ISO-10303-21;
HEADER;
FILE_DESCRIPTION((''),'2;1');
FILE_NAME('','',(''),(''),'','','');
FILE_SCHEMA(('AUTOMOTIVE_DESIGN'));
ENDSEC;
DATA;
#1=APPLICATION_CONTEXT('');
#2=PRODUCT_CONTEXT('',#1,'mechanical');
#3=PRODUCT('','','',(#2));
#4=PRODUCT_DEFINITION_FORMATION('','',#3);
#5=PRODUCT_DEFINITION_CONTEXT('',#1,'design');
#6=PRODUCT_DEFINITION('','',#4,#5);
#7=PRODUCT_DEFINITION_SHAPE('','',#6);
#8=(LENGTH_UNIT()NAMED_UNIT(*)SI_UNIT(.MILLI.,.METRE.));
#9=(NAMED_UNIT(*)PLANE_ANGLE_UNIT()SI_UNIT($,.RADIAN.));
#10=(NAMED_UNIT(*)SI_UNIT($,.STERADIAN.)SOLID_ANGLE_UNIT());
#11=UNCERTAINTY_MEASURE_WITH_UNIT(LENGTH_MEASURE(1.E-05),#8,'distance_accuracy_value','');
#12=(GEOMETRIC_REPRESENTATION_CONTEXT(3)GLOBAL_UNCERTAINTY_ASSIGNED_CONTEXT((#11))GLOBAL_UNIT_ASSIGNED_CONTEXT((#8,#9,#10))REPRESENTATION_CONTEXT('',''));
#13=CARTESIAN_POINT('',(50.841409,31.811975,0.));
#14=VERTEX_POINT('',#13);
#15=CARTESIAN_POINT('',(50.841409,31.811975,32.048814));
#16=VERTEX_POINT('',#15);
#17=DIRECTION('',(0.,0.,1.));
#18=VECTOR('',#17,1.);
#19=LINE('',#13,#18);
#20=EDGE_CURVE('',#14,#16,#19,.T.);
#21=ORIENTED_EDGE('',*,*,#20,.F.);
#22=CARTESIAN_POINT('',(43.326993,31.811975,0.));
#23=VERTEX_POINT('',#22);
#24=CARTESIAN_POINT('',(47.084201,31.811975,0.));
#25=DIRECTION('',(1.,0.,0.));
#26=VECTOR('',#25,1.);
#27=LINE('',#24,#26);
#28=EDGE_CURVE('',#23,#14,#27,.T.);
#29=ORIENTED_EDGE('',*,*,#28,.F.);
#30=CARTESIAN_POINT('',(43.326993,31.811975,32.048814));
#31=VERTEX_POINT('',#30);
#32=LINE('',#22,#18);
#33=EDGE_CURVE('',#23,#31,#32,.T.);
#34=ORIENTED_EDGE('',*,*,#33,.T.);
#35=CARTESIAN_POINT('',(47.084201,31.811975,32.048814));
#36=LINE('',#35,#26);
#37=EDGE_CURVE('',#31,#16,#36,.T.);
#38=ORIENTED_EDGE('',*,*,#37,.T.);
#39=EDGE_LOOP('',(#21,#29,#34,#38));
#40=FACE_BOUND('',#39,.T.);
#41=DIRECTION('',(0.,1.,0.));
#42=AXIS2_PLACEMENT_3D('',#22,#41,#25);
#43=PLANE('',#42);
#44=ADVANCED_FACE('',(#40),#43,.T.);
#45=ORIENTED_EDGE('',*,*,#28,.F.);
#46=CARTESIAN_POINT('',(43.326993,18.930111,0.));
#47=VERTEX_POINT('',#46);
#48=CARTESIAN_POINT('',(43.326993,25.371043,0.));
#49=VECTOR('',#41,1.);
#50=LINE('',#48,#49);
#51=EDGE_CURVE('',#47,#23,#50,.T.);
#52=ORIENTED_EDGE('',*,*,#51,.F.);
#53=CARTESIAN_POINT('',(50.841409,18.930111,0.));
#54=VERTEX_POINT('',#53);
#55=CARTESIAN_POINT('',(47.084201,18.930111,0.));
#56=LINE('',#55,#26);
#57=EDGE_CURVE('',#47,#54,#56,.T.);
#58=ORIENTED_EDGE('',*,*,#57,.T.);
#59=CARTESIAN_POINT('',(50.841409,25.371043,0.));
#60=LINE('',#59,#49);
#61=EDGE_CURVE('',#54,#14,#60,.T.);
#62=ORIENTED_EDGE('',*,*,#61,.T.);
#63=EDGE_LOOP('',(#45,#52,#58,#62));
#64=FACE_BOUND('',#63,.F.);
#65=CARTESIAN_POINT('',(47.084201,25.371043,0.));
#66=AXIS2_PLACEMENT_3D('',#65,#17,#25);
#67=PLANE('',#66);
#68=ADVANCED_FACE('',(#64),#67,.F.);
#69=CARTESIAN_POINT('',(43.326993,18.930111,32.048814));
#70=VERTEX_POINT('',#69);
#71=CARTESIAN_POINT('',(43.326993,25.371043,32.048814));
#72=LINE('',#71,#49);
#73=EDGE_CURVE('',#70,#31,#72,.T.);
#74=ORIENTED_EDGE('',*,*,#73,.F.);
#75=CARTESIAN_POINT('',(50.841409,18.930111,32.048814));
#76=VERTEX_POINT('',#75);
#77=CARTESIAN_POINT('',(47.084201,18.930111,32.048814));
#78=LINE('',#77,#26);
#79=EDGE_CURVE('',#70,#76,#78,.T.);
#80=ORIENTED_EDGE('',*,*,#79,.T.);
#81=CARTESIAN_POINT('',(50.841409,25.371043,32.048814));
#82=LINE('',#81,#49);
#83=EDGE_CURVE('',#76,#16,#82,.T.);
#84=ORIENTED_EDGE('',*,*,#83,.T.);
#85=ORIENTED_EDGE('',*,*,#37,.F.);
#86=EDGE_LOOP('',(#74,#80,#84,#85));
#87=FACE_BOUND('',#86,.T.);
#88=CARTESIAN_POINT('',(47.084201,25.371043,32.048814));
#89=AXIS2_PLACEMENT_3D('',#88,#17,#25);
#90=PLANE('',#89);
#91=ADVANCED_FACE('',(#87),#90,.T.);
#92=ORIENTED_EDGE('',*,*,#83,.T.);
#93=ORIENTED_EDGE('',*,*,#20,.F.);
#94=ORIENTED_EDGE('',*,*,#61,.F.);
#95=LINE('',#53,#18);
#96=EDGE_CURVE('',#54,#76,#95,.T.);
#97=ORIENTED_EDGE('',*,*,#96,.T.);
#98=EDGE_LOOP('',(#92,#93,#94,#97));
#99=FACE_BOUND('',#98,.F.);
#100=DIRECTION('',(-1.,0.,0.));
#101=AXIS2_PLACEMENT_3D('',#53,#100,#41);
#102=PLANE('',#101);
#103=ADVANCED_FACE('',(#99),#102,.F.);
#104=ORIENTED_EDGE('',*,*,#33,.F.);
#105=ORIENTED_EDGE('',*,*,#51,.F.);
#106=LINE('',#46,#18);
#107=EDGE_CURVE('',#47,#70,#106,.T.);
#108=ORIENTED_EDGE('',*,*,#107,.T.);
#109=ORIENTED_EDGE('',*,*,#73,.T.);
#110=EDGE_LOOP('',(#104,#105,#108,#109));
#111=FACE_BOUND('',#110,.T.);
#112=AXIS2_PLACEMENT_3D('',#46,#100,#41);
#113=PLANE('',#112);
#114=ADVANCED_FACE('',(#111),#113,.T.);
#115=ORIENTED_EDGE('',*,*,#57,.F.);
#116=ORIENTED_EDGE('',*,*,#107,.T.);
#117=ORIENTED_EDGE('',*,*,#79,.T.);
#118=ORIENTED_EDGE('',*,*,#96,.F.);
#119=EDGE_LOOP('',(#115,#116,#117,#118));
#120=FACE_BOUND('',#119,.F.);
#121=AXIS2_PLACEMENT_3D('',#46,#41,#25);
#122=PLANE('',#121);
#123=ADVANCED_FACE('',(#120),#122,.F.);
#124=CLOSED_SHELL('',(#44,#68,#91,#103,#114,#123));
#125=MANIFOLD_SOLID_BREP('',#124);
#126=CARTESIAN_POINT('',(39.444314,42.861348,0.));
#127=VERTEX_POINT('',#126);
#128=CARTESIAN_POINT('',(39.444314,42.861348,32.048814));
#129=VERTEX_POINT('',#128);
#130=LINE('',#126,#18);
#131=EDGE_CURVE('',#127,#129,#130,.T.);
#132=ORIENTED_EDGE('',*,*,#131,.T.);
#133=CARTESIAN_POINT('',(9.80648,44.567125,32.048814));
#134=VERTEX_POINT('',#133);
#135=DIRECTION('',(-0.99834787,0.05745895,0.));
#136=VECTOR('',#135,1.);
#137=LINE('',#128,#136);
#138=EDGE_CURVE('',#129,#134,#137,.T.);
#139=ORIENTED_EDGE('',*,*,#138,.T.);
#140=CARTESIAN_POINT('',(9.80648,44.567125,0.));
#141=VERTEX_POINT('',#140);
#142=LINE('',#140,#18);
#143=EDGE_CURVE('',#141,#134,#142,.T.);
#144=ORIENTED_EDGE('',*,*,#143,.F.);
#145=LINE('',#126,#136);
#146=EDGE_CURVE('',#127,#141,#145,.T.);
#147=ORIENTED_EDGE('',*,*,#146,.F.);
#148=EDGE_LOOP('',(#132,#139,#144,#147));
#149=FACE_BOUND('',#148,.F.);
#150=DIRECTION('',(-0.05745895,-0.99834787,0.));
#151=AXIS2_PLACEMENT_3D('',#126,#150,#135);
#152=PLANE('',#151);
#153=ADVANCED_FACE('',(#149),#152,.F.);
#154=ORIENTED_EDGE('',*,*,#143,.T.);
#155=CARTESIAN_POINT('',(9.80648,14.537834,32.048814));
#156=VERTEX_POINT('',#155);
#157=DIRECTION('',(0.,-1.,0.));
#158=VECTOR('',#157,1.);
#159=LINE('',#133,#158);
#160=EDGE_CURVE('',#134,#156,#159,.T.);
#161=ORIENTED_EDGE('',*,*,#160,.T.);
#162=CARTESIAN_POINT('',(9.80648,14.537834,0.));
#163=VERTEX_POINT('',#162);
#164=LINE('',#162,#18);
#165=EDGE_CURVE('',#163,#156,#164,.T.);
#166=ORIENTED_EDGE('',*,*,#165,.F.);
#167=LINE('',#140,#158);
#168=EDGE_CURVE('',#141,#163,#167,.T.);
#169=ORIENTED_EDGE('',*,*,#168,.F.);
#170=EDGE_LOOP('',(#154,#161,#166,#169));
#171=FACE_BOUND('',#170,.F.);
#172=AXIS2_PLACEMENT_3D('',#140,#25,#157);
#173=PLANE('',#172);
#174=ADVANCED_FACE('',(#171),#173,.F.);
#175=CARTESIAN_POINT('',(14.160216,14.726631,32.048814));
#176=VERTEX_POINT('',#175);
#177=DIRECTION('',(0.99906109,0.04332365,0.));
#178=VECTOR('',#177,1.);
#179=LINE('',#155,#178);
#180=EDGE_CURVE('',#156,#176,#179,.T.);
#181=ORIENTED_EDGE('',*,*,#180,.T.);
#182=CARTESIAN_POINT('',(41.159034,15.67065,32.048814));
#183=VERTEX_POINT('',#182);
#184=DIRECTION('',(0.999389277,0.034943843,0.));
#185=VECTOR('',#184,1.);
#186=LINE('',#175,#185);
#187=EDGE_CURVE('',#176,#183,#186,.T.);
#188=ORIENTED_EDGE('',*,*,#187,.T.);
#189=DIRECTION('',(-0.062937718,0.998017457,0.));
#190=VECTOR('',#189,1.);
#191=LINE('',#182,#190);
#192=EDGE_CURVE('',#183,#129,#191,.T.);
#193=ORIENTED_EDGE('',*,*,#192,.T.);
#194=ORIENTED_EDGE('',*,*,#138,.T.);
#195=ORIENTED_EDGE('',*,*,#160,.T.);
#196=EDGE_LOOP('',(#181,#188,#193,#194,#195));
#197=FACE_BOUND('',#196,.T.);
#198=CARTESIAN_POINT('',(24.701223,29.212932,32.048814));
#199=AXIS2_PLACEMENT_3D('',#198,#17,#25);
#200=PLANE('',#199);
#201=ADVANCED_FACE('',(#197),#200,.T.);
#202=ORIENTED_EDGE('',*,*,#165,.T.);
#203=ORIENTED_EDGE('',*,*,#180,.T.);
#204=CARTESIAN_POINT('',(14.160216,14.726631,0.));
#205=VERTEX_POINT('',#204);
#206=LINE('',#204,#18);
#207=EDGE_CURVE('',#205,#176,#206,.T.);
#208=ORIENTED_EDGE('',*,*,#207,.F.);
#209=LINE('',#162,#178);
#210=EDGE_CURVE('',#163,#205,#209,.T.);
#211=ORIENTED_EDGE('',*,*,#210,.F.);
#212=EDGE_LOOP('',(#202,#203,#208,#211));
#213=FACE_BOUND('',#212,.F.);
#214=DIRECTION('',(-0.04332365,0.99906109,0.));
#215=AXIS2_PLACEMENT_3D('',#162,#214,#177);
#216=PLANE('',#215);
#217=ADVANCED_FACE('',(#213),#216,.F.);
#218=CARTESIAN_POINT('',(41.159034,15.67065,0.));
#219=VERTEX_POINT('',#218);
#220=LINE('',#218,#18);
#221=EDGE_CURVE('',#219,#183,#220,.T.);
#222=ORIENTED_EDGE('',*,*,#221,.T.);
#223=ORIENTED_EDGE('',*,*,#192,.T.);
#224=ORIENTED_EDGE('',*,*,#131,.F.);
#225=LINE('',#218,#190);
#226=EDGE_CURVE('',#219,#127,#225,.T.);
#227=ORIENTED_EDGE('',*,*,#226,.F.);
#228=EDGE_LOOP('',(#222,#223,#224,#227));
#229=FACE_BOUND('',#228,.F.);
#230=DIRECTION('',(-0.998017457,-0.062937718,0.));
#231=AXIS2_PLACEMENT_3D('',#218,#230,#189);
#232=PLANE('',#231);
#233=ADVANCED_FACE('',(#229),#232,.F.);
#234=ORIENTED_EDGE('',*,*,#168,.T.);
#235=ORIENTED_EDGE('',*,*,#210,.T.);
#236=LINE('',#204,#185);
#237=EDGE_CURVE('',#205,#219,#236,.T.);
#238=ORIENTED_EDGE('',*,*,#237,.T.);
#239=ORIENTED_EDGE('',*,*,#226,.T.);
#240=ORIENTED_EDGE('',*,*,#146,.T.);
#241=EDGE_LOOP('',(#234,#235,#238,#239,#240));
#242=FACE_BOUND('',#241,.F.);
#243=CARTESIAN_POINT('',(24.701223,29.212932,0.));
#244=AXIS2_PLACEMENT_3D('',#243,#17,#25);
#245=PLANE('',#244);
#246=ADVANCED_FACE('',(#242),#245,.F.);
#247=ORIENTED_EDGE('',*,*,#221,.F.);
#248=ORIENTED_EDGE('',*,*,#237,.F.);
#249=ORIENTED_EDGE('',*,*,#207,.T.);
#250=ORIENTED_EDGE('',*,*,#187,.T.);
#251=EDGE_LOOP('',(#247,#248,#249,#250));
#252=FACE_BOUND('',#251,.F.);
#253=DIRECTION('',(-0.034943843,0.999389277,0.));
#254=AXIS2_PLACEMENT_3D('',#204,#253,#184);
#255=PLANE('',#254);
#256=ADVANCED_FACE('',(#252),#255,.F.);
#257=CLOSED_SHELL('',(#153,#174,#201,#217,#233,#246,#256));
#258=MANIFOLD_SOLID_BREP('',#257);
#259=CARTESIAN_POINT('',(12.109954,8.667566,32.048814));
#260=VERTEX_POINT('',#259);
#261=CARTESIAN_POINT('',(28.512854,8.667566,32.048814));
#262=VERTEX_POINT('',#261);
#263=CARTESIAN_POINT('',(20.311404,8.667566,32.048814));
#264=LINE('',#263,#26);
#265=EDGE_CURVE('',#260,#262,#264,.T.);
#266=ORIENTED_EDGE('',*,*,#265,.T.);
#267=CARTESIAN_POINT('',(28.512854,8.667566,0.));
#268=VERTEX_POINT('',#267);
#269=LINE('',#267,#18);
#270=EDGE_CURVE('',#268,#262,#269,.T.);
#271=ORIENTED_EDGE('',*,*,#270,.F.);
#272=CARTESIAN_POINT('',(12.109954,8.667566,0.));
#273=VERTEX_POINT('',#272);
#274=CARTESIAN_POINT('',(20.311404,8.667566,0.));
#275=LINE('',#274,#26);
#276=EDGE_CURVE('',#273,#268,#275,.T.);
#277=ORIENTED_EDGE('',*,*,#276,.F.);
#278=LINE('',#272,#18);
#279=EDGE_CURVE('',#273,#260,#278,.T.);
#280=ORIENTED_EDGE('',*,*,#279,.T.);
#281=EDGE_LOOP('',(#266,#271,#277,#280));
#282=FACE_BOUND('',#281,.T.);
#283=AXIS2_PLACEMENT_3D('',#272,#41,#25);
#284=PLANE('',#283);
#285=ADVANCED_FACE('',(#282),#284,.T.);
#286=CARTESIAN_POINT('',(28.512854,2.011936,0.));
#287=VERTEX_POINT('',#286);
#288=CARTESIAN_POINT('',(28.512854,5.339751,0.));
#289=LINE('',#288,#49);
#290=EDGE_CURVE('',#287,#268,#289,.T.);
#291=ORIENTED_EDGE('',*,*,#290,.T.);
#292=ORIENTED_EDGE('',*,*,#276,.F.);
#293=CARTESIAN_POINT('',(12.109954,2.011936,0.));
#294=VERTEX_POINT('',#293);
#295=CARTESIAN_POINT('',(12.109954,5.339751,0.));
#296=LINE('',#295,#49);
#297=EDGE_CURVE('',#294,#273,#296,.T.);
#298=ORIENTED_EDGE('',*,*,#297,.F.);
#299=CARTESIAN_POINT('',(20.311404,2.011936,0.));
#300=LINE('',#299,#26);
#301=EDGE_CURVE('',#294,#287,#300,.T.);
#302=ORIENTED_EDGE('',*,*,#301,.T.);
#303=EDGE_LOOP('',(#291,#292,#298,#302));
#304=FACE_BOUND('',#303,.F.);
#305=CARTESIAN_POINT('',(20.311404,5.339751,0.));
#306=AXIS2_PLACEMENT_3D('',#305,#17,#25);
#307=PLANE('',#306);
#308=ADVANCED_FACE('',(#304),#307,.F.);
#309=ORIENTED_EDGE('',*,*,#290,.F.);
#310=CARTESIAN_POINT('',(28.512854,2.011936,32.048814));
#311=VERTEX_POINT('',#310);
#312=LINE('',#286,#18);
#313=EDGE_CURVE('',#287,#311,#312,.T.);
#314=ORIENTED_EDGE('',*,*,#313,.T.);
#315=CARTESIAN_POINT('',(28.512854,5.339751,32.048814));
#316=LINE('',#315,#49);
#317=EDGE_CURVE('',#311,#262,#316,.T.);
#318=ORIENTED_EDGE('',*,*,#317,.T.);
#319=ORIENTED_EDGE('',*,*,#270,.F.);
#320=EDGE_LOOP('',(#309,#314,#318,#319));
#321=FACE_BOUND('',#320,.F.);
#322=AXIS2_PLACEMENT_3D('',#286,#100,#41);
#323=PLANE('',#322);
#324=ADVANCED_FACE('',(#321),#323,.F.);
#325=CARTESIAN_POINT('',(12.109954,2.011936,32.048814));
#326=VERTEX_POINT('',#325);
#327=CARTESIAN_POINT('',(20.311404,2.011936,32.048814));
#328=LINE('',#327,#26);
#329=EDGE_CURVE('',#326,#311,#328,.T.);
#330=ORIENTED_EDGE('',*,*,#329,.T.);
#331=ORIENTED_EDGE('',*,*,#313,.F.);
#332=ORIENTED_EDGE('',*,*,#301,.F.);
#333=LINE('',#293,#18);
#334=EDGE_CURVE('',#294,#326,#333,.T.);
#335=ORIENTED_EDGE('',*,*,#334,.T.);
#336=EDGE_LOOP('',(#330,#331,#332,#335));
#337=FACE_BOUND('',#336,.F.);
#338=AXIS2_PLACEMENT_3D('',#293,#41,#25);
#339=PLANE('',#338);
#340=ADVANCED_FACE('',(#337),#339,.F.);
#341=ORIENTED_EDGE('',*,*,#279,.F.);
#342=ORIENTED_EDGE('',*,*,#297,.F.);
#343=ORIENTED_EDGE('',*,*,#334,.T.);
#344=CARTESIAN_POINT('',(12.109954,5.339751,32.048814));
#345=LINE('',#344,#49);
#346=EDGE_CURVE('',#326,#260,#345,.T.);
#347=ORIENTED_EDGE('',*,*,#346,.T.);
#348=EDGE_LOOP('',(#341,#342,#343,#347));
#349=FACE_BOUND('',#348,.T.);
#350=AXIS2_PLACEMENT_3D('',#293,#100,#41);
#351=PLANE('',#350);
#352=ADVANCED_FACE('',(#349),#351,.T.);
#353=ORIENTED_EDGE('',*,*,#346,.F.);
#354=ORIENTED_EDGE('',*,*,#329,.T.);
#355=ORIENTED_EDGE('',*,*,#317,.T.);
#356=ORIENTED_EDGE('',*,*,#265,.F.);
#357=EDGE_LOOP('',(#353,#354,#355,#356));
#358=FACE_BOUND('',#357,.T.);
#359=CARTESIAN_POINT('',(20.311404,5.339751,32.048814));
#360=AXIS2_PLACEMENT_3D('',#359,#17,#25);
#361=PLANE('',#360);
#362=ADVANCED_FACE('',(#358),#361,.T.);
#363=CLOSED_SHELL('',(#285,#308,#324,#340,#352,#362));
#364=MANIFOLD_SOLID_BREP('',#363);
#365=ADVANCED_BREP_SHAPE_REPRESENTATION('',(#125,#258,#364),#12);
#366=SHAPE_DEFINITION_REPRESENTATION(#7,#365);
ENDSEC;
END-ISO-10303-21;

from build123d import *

# Parameters (mm, degrees)
F0_W     = 7.514417
F0_H     = 12.881864
F0_W_2   = 16.4029
F0_H_2   = 6.65563
F1_DEPTH = 32.048814


with BuildPart() as f1:
    # F0 (on Top) → F1 (new body)
    with BuildSketch(Plane.XY):
        Polygon((9.80648, 44.567125), (9.80648, 14.537834), (14.160216, 14.726631), (41.159034, 15.67065), (39.444314, 42.861348), align=None)
        with Locations((47.084201, 25.371043)):
            Rectangle(F0_W, F0_H)
        with Locations((20.311404, 5.339751)):
            Rectangle(F0_W_2, F0_H_2)
    extrude(amount=F1_DEPTH)


solid = f1.part
